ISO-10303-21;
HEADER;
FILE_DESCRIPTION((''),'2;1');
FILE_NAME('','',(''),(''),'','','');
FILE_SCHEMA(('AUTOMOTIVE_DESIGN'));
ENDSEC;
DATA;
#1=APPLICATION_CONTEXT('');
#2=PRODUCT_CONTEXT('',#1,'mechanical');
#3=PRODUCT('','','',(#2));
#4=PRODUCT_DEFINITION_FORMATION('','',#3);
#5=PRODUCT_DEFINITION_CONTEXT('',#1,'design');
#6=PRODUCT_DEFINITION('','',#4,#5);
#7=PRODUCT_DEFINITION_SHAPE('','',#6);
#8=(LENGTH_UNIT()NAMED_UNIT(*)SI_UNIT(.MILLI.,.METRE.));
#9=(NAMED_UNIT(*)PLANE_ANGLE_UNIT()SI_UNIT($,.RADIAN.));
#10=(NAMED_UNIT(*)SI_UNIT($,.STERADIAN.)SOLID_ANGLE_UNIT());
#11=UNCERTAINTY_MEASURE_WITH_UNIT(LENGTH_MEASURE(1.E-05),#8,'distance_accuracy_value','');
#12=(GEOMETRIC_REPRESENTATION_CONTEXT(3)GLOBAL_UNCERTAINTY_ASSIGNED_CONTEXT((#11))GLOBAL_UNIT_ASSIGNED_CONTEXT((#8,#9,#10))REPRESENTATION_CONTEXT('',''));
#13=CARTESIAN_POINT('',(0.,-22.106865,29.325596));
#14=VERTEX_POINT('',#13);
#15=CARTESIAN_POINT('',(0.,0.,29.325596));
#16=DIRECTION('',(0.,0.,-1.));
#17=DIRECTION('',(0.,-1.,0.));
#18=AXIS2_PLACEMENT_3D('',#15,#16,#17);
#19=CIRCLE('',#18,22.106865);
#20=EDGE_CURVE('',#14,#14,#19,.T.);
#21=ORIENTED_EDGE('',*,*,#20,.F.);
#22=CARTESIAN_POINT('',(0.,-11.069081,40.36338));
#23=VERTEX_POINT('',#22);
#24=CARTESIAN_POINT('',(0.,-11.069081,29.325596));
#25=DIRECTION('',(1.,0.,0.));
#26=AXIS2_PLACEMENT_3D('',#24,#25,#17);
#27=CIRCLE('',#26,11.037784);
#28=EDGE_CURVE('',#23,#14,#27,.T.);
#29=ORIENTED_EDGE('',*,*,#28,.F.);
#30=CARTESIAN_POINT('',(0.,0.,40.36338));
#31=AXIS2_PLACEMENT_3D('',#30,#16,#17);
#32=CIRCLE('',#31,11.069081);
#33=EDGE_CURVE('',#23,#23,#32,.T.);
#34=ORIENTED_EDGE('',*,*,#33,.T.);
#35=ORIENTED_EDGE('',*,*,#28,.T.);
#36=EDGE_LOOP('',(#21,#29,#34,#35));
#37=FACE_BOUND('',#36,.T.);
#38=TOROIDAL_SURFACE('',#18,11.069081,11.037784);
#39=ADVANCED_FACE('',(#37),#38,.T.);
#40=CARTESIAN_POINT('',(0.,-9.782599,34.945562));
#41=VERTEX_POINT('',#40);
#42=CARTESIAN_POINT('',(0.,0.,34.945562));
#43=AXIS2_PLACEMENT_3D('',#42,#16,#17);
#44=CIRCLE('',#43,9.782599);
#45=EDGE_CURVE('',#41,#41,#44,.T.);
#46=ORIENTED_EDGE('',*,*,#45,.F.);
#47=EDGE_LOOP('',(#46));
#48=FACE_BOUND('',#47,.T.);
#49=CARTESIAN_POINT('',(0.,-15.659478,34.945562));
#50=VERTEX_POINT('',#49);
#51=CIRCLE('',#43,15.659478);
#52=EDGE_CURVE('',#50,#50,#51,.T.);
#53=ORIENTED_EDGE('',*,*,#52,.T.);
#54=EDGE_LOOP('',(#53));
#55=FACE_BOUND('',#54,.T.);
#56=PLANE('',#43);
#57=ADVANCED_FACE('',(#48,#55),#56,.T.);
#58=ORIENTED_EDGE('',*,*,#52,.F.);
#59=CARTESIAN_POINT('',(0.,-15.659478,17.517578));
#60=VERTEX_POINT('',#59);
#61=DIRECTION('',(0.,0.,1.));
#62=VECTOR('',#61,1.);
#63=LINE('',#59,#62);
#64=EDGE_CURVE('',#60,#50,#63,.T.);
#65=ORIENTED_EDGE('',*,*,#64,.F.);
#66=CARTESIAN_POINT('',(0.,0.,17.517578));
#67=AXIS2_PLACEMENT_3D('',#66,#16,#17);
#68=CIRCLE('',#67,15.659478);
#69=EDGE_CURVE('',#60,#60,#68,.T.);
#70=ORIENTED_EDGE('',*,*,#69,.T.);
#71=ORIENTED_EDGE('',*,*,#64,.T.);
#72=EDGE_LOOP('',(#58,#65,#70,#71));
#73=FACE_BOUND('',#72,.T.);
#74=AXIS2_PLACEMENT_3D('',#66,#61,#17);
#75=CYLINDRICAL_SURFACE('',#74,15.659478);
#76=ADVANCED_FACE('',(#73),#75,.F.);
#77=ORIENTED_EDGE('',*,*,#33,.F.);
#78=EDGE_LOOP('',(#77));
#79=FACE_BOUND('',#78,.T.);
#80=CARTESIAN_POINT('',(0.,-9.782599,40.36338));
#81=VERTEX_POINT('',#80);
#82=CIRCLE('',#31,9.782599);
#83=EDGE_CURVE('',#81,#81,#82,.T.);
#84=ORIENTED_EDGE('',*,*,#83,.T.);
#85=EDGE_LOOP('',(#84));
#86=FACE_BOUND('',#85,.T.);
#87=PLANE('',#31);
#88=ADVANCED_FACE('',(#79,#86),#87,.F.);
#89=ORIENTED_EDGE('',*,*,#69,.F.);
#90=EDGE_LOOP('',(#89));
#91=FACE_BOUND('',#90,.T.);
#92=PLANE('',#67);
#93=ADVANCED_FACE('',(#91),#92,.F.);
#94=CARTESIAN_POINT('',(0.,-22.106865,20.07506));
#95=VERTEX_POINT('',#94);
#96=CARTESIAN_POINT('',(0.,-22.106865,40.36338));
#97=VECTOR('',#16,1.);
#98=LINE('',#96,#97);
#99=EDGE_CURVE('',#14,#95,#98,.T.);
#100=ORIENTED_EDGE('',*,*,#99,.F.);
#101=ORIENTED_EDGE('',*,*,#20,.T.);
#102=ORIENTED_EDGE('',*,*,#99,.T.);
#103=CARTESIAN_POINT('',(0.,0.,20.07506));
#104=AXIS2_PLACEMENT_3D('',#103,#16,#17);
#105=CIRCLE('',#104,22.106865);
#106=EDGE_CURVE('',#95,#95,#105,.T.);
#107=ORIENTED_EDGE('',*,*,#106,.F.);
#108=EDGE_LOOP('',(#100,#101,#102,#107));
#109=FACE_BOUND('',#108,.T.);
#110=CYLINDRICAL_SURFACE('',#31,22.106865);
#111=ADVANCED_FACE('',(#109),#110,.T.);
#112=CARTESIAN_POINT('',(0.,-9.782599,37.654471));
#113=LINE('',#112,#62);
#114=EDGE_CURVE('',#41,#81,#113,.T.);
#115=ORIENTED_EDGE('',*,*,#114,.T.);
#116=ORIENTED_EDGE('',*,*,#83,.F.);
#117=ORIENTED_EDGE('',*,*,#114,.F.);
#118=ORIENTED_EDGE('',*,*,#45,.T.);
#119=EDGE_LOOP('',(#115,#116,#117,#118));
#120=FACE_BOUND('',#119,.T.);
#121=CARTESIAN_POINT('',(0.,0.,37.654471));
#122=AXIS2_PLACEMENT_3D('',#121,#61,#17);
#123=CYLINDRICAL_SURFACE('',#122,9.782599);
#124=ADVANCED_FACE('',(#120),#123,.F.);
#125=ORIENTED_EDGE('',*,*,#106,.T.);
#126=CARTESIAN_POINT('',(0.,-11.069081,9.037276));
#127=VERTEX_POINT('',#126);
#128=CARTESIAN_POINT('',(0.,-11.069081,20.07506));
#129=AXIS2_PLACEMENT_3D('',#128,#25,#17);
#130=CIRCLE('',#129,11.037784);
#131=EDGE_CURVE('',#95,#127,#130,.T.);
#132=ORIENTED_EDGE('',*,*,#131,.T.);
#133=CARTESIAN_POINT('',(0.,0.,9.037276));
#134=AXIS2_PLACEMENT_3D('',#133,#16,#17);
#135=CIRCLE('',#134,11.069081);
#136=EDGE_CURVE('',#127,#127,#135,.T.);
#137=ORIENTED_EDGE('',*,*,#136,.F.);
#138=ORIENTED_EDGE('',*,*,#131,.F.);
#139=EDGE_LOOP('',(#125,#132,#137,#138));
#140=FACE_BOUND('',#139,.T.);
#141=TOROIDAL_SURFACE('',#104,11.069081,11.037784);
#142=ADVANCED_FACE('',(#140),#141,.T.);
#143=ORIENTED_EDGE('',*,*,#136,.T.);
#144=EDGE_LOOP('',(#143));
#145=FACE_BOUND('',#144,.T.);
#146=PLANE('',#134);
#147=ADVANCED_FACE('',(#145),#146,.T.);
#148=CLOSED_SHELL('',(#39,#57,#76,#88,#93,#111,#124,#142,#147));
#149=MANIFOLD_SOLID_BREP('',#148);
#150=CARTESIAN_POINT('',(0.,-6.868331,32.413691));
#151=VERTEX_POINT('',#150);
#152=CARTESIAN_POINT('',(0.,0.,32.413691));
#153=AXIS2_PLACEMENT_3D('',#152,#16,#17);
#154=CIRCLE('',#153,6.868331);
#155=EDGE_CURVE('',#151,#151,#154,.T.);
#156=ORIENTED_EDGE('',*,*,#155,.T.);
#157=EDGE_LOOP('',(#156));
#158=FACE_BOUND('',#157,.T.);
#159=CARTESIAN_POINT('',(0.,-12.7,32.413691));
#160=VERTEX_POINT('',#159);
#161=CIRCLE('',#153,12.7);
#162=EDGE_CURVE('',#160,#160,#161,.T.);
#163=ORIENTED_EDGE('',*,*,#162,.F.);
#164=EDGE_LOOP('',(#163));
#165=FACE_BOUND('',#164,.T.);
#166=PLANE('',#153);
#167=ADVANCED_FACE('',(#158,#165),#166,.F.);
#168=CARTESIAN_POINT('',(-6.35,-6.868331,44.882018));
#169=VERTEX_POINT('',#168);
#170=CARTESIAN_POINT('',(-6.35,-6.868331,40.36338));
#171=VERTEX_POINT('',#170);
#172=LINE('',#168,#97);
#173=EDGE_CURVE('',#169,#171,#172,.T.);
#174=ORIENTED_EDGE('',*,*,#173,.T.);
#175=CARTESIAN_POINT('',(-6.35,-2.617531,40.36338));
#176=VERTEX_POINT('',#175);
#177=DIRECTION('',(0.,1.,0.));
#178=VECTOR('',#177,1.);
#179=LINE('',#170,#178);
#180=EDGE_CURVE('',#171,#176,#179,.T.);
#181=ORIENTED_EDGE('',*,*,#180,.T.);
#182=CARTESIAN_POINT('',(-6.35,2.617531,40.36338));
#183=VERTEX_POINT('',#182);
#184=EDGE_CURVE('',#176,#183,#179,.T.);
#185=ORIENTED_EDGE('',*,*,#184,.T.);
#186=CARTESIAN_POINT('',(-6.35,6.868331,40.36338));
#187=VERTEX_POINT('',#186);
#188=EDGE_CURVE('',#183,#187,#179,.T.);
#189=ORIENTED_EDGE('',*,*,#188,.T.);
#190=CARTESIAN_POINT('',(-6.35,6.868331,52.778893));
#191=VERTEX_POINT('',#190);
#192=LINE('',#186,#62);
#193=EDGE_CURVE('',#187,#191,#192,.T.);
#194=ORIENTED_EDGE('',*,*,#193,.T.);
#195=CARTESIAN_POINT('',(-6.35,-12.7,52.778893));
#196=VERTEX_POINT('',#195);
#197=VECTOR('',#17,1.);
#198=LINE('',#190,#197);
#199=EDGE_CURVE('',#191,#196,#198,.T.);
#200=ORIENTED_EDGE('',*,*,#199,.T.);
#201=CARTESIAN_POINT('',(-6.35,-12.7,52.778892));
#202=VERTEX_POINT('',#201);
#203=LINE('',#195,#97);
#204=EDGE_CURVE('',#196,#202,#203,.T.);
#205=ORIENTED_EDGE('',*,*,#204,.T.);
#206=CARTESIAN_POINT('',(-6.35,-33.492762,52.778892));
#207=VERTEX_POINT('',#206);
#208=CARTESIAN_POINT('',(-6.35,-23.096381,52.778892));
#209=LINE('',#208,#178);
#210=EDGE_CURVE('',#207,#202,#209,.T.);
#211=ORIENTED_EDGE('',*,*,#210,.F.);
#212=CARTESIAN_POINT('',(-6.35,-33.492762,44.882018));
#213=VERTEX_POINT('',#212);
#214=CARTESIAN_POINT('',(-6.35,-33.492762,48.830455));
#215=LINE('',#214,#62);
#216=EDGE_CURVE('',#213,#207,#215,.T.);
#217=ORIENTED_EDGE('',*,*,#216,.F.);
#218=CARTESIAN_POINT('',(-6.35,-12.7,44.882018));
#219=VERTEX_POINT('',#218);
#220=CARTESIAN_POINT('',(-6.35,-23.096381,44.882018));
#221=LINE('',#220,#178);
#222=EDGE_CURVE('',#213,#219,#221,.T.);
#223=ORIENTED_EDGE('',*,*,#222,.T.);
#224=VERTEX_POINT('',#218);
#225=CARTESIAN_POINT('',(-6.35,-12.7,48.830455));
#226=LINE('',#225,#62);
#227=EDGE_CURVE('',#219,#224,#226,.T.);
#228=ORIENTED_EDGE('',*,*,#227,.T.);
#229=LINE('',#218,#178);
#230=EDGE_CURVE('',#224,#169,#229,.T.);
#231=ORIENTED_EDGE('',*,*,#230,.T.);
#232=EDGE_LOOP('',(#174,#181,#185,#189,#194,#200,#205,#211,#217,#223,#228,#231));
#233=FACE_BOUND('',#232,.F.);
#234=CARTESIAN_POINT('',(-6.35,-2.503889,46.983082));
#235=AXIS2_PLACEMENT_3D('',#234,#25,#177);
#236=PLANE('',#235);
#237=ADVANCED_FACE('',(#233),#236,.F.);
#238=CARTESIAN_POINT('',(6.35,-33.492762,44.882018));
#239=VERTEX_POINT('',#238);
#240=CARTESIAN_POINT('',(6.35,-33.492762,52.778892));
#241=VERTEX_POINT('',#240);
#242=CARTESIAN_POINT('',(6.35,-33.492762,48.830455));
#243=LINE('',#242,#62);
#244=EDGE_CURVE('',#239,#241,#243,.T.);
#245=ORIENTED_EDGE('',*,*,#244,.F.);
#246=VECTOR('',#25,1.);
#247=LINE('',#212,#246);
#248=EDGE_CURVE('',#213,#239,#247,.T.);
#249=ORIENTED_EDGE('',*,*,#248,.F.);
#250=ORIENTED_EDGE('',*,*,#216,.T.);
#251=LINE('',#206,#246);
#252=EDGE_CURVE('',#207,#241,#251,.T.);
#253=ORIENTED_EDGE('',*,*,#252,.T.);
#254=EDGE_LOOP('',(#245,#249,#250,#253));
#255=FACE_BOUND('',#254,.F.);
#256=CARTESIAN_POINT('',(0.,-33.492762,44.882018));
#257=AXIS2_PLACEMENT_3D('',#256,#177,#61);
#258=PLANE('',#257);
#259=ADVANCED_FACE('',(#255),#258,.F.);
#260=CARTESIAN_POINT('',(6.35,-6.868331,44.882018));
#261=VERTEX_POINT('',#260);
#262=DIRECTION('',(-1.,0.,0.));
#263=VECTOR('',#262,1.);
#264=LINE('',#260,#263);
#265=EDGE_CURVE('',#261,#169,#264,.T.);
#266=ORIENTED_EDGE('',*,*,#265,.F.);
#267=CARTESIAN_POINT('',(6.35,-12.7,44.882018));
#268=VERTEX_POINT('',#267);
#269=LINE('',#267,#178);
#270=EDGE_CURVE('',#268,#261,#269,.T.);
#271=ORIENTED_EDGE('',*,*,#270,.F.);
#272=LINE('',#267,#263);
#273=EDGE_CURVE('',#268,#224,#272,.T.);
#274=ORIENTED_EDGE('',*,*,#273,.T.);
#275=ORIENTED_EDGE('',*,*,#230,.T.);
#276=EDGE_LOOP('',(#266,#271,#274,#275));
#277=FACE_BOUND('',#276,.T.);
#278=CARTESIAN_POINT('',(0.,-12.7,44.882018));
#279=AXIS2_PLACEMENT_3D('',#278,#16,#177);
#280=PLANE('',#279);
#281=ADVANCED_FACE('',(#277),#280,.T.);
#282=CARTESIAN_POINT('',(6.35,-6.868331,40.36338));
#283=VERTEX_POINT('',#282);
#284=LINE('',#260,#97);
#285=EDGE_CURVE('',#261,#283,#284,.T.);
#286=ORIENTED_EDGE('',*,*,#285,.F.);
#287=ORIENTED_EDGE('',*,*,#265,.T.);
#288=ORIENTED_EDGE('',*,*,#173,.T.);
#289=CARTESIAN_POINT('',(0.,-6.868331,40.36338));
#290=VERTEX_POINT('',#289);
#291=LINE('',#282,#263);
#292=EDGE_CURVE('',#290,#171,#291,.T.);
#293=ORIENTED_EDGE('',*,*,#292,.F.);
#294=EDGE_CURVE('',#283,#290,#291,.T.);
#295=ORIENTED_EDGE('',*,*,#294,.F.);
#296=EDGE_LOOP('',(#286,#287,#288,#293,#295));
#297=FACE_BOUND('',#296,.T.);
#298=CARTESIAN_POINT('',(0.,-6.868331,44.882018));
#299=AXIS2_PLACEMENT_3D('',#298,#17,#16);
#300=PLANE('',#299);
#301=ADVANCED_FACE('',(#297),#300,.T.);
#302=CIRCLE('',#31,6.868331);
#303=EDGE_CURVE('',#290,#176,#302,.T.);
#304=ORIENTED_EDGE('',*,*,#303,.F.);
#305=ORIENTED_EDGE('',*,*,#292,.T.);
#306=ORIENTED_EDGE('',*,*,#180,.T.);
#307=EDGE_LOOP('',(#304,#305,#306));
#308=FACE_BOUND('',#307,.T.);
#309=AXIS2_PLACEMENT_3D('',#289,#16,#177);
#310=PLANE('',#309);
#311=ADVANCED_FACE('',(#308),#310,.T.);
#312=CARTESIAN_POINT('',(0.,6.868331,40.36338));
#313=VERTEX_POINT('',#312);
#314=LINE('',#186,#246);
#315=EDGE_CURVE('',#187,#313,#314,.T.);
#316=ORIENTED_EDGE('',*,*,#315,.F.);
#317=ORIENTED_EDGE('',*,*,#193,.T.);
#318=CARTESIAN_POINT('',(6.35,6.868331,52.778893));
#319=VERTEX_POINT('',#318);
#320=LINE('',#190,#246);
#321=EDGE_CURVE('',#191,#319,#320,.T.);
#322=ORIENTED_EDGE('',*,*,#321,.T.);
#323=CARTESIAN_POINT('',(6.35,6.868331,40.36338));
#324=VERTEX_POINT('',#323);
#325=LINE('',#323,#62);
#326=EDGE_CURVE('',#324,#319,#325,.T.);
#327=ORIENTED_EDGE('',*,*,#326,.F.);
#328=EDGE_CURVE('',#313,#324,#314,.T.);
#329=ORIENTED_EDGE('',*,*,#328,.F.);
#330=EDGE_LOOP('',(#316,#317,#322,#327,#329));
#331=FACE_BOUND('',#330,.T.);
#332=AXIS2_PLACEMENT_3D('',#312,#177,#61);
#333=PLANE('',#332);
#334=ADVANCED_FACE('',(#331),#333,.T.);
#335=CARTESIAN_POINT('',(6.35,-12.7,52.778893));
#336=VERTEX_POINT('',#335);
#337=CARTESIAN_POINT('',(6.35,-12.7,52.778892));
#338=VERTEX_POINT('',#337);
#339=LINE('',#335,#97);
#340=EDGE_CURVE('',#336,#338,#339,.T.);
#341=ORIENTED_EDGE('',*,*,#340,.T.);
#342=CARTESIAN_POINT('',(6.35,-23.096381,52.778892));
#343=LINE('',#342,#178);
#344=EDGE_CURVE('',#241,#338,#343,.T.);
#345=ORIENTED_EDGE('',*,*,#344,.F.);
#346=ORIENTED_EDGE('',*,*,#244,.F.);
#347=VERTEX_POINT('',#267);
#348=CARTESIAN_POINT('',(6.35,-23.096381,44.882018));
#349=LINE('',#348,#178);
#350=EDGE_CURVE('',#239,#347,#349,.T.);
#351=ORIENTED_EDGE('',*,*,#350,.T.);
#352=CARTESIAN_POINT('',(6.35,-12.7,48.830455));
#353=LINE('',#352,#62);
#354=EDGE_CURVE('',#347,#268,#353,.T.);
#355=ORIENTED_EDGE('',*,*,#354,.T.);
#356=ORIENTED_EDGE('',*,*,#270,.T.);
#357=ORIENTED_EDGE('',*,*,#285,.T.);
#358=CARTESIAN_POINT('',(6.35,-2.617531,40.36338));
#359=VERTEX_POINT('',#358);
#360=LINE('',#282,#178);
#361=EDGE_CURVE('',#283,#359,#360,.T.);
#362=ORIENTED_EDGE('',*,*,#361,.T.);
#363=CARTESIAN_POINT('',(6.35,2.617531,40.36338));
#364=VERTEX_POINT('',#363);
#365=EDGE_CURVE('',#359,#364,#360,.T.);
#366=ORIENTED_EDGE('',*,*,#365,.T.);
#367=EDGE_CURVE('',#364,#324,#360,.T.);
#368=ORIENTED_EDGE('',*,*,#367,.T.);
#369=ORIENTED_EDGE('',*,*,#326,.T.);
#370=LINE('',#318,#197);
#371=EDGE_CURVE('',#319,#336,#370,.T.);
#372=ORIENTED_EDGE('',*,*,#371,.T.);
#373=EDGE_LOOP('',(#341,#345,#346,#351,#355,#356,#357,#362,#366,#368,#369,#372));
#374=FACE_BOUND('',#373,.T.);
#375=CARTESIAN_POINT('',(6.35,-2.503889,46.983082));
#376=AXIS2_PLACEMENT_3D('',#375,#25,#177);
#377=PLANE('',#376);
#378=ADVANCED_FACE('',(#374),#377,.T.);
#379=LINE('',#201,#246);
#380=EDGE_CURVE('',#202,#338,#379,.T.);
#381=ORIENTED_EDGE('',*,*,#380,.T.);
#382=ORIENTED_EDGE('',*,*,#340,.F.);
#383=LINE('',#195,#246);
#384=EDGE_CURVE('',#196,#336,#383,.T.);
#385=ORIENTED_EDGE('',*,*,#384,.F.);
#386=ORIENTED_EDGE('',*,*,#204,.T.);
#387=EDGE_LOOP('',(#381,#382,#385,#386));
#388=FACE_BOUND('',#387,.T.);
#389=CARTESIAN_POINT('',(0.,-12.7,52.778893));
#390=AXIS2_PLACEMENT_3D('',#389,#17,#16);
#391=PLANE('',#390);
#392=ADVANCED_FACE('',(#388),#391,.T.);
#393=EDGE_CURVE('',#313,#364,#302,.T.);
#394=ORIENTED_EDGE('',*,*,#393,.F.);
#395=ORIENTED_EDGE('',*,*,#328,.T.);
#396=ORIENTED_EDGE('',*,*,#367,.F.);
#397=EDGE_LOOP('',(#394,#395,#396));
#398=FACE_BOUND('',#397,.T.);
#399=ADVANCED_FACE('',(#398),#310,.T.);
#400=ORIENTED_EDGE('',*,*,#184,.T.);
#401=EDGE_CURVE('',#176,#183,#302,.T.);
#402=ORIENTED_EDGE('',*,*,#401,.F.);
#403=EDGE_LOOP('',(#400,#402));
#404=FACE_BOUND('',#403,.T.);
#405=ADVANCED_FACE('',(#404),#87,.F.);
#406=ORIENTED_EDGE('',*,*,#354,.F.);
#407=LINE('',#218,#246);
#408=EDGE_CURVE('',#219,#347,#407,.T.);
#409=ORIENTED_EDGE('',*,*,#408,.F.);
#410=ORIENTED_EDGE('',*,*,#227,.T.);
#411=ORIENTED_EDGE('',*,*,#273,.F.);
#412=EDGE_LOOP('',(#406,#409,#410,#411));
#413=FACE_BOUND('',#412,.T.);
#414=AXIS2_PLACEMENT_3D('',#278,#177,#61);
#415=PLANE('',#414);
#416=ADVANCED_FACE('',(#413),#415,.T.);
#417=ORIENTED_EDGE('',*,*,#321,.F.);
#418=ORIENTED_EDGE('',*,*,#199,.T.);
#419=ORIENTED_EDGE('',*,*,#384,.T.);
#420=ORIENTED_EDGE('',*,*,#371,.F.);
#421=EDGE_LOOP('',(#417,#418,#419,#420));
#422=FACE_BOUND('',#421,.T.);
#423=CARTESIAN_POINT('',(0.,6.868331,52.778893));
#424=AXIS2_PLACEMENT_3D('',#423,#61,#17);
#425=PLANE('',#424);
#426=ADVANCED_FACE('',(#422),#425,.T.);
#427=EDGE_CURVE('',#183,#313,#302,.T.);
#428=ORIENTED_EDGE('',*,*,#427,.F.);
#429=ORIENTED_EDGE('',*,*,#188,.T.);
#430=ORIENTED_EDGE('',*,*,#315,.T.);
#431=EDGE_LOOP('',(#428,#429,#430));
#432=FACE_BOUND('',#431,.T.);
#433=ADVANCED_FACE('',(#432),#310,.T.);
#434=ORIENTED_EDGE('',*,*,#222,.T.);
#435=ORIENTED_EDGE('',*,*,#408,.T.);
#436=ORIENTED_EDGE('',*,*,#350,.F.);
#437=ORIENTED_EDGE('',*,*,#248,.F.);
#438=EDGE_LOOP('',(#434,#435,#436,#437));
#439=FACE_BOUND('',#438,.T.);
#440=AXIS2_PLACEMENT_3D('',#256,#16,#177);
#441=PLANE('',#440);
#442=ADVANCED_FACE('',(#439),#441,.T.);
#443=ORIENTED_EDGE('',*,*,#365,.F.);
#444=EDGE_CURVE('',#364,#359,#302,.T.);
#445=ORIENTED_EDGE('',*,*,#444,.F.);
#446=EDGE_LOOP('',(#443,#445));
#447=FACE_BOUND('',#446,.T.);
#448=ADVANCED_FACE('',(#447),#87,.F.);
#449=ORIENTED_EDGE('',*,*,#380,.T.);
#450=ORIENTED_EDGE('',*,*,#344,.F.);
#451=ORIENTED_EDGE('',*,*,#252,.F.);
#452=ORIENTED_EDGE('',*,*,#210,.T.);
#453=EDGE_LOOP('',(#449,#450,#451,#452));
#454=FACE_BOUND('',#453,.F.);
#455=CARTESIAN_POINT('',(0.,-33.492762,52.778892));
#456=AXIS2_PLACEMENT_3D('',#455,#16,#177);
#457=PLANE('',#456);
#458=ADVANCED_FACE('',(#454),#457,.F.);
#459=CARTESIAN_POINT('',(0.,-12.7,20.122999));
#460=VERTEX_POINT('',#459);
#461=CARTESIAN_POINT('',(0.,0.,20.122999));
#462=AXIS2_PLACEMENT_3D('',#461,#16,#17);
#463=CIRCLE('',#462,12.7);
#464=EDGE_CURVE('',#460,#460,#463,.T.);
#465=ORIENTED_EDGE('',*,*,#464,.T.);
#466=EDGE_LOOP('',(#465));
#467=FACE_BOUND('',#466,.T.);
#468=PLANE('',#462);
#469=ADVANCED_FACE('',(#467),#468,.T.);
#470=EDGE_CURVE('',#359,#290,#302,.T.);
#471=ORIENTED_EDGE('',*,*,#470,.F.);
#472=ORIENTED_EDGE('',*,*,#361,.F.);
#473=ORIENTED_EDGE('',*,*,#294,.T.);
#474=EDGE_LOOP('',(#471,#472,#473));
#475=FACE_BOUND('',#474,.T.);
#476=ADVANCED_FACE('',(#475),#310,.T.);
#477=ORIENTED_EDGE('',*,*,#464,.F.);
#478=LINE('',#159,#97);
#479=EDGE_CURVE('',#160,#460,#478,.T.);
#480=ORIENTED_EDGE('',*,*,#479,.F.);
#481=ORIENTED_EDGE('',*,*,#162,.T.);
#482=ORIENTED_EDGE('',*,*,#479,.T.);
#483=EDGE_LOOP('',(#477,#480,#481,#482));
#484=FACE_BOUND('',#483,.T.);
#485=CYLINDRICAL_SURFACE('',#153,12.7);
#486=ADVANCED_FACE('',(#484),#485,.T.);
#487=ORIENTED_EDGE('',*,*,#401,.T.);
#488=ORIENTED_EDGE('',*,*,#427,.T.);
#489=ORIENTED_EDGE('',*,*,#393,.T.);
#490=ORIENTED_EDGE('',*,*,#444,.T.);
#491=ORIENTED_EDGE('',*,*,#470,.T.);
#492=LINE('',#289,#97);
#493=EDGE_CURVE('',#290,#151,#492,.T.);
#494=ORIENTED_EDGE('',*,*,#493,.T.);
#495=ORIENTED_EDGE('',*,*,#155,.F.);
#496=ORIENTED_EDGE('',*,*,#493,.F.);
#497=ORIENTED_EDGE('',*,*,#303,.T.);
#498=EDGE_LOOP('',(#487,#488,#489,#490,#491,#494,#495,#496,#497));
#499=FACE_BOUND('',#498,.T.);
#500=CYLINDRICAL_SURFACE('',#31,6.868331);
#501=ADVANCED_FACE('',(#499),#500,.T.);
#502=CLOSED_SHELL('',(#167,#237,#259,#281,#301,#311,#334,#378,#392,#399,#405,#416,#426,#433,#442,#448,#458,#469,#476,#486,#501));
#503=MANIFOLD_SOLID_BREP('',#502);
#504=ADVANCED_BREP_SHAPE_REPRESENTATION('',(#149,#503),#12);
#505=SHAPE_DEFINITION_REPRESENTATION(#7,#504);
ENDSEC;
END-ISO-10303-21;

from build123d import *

# Parameters (mm, degrees)
F0_W     = 12.7
F0_H     = 8.480302
F0_W_2   = 2.917401
F0_H_2   = 5.417818
F0_W_3   = 20.792763
F0_H_3   = 7.896875
F2_DEPTH = 6.35
F3_R     = 11.037784


with BuildPart() as f1:
    # F0 (on Right) → F1 (revolve)
    with BuildSketch(Plane.YZ):
        with Locations((-6.35, 13.277427)):
            Rectangle(F0_W, F0_H)
        Polygon((0, 20.122999), (0, 40.36338), (-6.868331, 40.36338), (-6.868331, 32.413691), (-12.7, 32.413691), (-12.7, 20.122999), align=None)
        with Locations((-11.2413, 37.654471)):
            Rectangle(F0_W_2, F0_H_2)
        Polygon((-12.7, 34.945562), (-12.7, 40.36338), (-22.106865, 40.36338), (-22.106865, 9.037276), (-12.7, 9.037276), (-12.7, 17.517578), (-15.659478, 17.517578), (-15.659478, 34.945562), align=None)
    revolve(axis=Axis((0, 0, 24.700328), (0, 0, -1)))

    # F0 (on Right) → F2 (join, symmetric)
    with BuildSketch(Plane.YZ):
        Polygon((0, 40.36338), (6.868331, 40.36338), (6.868331, 52.778893), (-12.7, 52.778893), (-12.7, 44.882018), (-6.868331, 44.882018), (-6.868331, 40.36338), align=None)
        with Locations((-23.096381, 48.830455)):
            Rectangle(F0_W_3, F0_H_3)
    extrude(amount=F2_DEPTH, both=True)

    # F3
    f3_edges = [f1.edges().sort_by_distance(p)[0] for p in [
        (0, 22.106865, 9.037276),
        (0, 22.106865, 40.36338),
    ]]
    fillet(f3_edges, radius=F3_R)


solid = f1.part
